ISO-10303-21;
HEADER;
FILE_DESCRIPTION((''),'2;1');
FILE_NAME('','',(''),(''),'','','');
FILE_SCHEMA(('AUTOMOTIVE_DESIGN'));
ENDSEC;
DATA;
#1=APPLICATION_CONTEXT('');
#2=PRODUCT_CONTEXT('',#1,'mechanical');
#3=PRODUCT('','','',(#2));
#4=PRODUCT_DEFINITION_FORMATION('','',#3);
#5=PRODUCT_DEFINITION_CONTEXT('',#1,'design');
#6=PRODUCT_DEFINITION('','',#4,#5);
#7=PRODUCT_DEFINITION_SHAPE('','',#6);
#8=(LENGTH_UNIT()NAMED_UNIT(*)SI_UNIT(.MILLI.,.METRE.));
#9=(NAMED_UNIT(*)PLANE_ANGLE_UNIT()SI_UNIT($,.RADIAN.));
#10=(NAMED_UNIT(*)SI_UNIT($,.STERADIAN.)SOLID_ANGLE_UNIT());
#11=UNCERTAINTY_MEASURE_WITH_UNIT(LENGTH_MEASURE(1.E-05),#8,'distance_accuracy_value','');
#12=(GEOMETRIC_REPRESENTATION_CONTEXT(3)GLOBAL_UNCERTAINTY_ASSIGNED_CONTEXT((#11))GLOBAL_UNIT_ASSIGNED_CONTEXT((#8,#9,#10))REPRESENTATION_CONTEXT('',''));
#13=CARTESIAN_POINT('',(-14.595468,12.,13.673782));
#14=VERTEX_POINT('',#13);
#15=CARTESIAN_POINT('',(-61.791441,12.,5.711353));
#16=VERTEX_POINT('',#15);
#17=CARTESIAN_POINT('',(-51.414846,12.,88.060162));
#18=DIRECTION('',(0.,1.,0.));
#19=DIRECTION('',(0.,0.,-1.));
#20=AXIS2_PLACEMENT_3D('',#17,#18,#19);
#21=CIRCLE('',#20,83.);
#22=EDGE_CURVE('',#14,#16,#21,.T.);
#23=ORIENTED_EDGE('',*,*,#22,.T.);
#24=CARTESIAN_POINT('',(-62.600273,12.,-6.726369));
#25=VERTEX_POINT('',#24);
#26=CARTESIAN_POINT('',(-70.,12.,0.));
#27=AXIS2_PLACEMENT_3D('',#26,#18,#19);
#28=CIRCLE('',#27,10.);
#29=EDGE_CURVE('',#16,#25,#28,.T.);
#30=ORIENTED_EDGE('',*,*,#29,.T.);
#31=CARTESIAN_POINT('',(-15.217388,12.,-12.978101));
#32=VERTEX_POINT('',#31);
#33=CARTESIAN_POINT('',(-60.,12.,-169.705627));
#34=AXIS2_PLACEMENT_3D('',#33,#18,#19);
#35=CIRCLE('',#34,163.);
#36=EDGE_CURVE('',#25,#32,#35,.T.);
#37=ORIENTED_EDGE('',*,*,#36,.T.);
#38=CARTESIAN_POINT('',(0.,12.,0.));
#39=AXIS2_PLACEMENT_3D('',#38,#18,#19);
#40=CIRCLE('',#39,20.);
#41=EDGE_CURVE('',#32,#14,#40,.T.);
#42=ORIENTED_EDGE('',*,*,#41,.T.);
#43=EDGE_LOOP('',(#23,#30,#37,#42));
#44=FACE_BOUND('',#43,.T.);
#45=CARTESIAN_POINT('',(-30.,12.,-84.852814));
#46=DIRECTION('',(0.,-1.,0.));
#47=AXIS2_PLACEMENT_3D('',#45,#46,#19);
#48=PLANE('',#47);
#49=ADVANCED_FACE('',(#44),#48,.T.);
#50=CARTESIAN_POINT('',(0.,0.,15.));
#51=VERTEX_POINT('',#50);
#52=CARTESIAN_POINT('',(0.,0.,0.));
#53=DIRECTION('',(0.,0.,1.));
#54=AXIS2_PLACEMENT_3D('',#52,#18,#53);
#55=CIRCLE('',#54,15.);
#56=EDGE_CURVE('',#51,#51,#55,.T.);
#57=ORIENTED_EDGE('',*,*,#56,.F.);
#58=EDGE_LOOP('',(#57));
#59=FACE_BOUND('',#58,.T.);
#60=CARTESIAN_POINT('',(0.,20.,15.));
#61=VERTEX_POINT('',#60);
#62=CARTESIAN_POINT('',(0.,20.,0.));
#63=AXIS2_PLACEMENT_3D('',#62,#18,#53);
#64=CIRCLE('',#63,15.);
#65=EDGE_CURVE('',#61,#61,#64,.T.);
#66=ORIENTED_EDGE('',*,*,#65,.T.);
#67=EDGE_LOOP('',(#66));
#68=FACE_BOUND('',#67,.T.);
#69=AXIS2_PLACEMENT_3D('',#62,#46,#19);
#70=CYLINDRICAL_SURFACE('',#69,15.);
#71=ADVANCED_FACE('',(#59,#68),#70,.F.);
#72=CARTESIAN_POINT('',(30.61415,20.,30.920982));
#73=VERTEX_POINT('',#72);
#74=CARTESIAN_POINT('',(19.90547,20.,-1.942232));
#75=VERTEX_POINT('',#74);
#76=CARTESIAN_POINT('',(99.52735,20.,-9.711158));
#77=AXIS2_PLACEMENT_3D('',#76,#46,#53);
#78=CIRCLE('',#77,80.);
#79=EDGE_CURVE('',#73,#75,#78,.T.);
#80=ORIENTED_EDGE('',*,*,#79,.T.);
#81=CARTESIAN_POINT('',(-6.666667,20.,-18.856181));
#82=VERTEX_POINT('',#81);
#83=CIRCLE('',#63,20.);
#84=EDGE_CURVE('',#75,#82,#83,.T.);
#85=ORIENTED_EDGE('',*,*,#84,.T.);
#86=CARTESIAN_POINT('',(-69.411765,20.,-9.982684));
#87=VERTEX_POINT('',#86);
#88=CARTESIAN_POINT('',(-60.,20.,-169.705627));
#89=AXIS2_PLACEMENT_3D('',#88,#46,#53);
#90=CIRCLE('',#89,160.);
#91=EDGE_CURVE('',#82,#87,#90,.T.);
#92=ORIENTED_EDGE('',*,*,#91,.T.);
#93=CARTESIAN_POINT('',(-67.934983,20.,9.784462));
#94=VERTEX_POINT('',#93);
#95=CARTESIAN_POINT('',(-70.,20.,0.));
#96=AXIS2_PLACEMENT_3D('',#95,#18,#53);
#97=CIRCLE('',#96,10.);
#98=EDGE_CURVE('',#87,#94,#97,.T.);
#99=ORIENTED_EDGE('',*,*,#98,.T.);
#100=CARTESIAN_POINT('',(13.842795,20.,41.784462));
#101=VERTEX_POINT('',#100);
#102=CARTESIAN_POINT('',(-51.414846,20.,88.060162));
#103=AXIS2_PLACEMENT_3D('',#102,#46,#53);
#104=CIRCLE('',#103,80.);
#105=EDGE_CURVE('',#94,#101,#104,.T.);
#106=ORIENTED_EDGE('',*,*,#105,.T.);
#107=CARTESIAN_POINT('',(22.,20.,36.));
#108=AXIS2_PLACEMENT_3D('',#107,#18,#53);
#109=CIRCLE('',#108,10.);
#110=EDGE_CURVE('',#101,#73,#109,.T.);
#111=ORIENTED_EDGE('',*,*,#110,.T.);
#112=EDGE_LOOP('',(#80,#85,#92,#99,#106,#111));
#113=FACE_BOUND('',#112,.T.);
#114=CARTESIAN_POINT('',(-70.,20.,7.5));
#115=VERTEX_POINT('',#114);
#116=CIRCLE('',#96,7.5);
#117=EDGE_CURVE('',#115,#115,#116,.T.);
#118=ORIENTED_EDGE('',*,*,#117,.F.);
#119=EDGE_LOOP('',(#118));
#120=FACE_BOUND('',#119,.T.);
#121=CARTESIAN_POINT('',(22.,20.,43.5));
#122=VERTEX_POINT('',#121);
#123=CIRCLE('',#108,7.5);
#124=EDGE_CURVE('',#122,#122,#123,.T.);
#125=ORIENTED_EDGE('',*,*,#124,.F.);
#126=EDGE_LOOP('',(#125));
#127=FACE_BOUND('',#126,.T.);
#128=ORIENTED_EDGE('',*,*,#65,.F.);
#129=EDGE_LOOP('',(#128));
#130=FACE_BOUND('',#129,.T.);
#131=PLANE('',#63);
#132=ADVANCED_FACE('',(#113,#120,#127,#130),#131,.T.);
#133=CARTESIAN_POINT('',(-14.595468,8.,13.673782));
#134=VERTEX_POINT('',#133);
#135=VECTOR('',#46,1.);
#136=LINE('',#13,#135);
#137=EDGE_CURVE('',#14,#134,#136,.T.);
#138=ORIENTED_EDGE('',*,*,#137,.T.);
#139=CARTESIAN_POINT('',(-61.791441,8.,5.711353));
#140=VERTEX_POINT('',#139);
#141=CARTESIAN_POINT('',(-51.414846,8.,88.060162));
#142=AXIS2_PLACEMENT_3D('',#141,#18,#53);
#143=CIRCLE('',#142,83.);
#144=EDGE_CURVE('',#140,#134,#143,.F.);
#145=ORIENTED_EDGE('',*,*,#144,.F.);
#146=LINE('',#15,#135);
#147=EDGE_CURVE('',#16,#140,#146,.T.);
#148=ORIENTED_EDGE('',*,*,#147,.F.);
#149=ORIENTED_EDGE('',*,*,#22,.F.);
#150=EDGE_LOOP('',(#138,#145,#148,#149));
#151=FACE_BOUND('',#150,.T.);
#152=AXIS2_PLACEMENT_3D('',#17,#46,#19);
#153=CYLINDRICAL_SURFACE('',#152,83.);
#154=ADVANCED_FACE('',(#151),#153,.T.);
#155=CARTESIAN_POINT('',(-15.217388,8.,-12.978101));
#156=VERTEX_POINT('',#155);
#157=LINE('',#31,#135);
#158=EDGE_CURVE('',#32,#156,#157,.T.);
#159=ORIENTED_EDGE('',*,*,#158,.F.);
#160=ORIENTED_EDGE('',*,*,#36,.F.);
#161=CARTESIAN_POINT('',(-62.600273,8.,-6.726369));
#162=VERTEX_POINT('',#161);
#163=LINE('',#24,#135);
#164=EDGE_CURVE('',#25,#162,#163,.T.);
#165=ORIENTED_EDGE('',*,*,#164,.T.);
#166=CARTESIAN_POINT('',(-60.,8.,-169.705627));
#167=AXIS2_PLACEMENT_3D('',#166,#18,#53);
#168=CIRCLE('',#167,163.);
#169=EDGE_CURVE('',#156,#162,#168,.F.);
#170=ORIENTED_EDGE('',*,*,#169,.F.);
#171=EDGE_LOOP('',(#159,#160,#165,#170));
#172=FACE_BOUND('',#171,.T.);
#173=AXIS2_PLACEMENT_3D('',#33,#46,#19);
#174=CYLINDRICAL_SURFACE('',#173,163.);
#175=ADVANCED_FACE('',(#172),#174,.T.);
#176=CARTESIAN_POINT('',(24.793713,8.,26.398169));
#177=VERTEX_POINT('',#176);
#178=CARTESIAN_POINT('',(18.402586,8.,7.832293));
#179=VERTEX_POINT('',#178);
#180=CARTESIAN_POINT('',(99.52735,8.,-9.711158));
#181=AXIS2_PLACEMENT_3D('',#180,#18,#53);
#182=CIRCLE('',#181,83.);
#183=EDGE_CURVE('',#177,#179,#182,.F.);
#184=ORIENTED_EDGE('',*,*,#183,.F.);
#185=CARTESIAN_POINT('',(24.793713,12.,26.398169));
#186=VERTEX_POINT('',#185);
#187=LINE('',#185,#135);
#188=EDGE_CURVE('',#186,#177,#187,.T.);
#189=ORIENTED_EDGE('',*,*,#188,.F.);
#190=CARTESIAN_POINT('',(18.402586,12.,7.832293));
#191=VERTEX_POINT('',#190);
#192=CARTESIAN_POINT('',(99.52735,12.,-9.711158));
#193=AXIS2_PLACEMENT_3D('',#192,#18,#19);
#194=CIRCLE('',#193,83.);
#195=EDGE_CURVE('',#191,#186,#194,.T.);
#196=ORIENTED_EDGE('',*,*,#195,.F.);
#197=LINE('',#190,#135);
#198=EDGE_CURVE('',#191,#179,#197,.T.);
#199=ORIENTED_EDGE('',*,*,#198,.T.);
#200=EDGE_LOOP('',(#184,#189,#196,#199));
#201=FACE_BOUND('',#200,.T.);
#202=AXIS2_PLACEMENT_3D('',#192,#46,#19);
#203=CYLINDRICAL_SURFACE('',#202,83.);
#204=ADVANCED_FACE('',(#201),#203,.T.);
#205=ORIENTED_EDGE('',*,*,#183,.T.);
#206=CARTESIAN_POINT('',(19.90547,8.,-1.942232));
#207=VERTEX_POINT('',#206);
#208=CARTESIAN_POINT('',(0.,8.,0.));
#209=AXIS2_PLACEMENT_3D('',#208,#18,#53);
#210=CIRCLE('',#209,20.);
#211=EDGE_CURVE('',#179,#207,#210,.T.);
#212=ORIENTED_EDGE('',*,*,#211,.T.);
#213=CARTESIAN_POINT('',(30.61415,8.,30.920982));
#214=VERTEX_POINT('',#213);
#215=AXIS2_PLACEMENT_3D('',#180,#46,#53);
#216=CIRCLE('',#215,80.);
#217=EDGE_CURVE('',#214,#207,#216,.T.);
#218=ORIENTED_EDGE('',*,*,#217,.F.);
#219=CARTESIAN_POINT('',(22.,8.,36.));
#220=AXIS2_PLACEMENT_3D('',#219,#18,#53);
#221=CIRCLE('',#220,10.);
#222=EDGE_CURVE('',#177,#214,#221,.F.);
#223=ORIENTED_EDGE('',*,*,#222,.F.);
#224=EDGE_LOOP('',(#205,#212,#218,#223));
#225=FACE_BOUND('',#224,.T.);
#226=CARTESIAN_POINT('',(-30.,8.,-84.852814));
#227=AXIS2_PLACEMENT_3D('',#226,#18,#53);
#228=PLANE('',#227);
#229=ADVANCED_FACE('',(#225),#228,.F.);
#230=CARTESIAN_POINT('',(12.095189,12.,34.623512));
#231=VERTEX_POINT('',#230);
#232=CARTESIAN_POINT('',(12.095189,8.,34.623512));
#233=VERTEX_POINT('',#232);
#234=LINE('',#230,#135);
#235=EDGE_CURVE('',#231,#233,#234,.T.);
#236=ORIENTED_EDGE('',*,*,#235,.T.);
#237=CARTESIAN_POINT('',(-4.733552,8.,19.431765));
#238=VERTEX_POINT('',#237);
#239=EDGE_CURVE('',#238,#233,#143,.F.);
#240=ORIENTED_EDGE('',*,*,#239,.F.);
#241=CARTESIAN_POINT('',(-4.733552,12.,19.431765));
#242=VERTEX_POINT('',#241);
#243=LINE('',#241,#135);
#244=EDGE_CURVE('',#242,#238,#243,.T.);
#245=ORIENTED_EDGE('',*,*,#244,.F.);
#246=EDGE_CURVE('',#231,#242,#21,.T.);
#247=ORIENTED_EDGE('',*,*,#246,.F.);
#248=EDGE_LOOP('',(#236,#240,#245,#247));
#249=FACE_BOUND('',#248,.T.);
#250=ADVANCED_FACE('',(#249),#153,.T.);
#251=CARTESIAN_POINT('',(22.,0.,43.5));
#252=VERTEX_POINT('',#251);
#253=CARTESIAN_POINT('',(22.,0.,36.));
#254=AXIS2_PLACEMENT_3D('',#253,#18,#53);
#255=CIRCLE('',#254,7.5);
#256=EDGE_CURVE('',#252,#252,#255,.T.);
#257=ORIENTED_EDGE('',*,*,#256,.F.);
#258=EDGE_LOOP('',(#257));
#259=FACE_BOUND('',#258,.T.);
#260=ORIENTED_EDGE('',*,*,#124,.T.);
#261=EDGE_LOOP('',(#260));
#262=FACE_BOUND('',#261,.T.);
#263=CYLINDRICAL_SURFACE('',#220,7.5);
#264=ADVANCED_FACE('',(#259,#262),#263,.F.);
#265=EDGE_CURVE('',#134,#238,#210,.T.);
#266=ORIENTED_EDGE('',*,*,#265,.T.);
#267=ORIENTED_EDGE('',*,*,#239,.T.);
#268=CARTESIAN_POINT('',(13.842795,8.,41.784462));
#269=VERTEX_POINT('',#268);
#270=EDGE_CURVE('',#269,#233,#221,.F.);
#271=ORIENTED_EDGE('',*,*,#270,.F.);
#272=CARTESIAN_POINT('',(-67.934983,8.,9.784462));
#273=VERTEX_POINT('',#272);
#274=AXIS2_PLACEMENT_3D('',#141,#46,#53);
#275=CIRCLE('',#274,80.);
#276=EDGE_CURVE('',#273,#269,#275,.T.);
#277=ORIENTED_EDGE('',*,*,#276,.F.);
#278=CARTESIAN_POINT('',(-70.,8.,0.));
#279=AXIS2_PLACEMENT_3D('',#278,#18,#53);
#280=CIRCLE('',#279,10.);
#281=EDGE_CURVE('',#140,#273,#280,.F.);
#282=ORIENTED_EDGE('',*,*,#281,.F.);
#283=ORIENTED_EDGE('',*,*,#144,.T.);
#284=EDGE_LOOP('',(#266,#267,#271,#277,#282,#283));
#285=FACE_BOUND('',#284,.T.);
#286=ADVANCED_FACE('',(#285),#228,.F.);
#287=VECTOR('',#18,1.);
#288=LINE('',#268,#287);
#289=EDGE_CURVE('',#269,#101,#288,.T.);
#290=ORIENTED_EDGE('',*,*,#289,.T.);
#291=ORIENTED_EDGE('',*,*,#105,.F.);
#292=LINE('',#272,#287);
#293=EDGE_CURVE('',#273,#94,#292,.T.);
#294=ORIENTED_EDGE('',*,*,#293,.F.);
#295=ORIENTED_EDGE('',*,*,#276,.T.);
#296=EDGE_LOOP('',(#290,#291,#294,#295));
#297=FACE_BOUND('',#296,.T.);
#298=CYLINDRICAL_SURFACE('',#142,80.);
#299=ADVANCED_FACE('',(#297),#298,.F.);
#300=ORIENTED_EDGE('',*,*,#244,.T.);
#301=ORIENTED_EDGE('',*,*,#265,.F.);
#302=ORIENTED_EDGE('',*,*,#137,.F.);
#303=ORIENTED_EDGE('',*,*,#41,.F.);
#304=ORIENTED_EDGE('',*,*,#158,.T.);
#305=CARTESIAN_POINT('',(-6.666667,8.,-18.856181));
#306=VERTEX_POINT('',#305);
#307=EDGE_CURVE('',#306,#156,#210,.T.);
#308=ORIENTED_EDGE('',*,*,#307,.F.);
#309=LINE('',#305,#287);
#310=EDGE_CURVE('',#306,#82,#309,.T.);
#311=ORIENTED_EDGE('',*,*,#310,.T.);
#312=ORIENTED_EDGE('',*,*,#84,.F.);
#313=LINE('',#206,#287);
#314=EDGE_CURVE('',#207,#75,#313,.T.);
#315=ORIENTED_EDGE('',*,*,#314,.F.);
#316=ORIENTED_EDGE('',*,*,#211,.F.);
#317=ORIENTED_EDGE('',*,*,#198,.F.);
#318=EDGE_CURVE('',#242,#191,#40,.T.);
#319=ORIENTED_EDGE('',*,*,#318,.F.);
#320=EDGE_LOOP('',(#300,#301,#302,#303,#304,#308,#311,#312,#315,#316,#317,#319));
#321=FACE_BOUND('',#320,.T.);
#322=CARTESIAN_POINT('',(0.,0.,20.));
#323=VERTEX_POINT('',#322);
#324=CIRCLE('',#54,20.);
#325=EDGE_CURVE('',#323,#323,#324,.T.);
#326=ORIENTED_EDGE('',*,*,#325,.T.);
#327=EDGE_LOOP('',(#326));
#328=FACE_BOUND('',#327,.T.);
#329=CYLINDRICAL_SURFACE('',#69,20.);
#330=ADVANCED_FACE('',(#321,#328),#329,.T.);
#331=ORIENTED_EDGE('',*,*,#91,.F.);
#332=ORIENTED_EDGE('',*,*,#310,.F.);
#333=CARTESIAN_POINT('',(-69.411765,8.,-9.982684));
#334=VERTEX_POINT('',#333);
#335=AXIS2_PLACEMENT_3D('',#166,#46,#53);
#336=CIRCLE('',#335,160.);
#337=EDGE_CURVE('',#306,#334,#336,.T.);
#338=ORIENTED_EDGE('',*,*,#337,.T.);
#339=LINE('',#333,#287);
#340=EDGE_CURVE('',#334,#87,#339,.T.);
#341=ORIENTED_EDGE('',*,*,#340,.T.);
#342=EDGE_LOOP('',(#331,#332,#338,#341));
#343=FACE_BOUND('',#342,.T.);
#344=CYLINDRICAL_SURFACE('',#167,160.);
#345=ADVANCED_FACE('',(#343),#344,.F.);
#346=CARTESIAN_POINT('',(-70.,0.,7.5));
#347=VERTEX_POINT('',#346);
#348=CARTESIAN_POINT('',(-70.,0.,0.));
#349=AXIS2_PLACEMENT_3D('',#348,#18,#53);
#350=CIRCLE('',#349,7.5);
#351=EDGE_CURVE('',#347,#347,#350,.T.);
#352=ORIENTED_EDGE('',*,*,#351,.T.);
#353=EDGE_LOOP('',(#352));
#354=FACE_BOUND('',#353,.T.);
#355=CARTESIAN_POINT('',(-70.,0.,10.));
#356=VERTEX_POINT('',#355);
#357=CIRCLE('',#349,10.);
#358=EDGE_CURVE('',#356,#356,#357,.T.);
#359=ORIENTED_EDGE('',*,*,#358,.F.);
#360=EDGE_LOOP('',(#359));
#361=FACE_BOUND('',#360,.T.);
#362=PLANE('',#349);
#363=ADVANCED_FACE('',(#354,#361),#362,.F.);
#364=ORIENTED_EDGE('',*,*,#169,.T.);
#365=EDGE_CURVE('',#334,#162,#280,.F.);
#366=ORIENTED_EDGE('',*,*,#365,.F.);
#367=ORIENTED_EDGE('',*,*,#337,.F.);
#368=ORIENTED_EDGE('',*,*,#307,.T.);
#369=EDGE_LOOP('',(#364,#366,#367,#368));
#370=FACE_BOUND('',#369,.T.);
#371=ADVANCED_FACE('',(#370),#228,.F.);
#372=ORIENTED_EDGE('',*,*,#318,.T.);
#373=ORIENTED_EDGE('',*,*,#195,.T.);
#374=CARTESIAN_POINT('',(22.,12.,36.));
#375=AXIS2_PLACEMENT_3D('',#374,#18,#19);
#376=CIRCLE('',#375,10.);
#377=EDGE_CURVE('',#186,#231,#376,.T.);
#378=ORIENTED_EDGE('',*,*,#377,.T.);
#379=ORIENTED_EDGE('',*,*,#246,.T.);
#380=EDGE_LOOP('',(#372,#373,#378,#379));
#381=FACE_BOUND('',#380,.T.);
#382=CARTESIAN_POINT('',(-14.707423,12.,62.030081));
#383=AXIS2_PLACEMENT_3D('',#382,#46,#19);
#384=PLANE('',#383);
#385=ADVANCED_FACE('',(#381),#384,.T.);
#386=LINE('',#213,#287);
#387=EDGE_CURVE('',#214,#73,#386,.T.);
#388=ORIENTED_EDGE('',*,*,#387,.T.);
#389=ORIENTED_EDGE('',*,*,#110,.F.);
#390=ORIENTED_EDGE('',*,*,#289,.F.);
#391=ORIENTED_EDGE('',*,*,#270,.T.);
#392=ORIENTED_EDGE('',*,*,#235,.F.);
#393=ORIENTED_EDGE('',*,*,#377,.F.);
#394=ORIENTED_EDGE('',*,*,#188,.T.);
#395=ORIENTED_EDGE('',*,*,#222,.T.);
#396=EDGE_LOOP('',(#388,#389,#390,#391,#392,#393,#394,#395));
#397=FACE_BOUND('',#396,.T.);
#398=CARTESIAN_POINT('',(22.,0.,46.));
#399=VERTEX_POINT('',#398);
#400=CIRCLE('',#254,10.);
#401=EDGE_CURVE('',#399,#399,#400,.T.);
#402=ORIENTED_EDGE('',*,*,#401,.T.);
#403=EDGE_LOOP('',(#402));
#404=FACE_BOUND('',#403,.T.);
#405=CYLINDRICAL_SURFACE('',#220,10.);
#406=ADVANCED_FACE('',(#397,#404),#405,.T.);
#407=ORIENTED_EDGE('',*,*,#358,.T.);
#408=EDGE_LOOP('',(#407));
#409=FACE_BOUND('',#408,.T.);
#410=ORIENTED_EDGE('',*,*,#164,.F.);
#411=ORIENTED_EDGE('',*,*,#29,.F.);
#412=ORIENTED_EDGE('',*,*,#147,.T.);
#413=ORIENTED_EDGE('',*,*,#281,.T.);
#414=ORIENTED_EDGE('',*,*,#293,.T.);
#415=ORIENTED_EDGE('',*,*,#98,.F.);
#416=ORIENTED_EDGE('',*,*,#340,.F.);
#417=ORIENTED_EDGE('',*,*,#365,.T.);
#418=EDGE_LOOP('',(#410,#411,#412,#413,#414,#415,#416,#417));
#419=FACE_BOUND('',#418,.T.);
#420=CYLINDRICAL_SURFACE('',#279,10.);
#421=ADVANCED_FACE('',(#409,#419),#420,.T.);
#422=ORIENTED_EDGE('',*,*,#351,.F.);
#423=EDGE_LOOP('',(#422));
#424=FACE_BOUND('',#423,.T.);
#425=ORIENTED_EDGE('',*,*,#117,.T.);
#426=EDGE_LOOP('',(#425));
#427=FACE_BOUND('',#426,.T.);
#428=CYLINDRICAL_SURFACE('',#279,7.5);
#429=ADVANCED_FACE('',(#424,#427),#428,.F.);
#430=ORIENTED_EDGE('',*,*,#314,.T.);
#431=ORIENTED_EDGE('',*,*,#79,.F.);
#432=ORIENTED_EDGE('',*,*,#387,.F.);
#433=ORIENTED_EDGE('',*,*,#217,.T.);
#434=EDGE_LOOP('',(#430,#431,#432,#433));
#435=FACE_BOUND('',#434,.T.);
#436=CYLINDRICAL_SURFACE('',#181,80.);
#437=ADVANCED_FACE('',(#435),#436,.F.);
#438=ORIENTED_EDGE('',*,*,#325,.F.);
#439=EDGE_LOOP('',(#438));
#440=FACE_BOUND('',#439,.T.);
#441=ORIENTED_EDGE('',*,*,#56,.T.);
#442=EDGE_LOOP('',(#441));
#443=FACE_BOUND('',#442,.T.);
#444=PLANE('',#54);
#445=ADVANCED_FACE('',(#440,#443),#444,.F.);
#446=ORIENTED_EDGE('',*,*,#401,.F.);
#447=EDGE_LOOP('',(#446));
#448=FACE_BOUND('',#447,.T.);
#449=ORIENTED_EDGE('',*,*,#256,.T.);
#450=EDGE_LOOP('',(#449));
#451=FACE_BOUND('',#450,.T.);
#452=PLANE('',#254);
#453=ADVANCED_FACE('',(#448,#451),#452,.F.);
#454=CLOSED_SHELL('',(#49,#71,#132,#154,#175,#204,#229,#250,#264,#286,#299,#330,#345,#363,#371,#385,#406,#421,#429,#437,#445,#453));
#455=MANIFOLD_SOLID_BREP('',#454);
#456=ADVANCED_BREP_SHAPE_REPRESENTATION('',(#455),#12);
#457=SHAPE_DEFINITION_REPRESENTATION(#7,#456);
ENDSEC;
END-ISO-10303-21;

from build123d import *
from build123d.topology import SkipClean

# Parameters (mm, degrees)
SKETCH1_R             = 20
SKETCH1_R_2           = 15
BOSS_EXTRUDE1_DEPTH   = 20
SKETCH1_R_3           = 10
SKETCH1_R_4           = 7.5
BOSS_EXTRUDE1_2_DEPTH = 20
BOSS_EXTRUDE1_3_DEPTH = 20
BOSS_EXTRUDE2_START   = -12
SKETCH3_R             = 7.5
SKETCH3_R_2           = 15
BOSS_EXTRUDE2_DEPTH   = 12
CUT_EXTRUDE3_DEPTH    = 12


with BuildPart() as part:
    # Sketch1 → Boss-Extrude1 (new body)
    with BuildSketch(Plane(origin=(0, 0, 0), x_dir=(1, 0, 0), z_dir=(0, 1, 0))):
        with Locations(Location((0, 0, 0), (0, 0, 270))):
            Circle(SKETCH1_R)
        with Locations(Location((0, 0, 0), (0, 0, 270))):
            Circle(SKETCH1_R_2, mode=Mode.SUBTRACT)
    extrude(amount=BOSS_EXTRUDE1_DEPTH)



with BuildPart() as body_2:
    # Sketch1 → Boss-Extrude1 2 (new body)
    with BuildSketch(Plane(origin=(0, 0, 0), x_dir=(1, 0, 0), z_dir=(0, 1, 0))):
        with Locations(Location((-70, 0, 0), (0, 0, 270))):
            Circle(SKETCH1_R_3)
        with Locations(Location((-70, 0, 0), (0, 0, 270))):
            Circle(SKETCH1_R_4, mode=Mode.SUBTRACT)
    extrude(amount=BOSS_EXTRUDE1_2_DEPTH)


with BuildPart() as body_3:
    # Sketch1 → Boss-Extrude1 3 (new body)
    with BuildSketch(Plane(origin=(0, 0, 0), x_dir=(1, 0, 0), z_dir=(0, 1, 0))):
        with Locations(Location((22, -36, 0), (0, 0, 270))):
            Circle(SKETCH1_R_3)
        with Locations(Location((22, -36, 0), (0, 0, 270))):
            Circle(SKETCH1_R_4, mode=Mode.SUBTRACT)
    extrude(amount=BOSS_EXTRUDE1_3_DEPTH)


with BuildPart() as part_1:
    add(part.part)

    add(body_2.part)  # Boss-Extrude2 merges body 2

    add(body_3.part)  # Boss-Extrude2 merges body 3
    # Sketch3 → Boss-Extrude2 (add)
    with BuildSketch(Plane(origin=(0, 20, 0), x_dir=(1, 0, 0), z_dir=(0, 1, 0)).offset(BOSS_EXTRUDE2_START)):
        with BuildLine():
            ThreePointArc((-69.411764706, 9.98268397), (-79.972209179, -0.745012818), (-67.934982867, -9.784462389))
            ThreePointArc((-67.934982867, -9.784462389), (-22.262897918, -13.560739124), (13.842794911, -41.784462389))
            ThreePointArc((13.842794911, -41.784462389), (27.436542927, -44.393092457), (30.614150003, -30.920982406))
            ThreePointArc((30.614150003, -30.920982406), (23.463789692, -15.074619609), (19.905470006, 1.94223167))
            ThreePointArc((19.905470006, 1.94223167), (10.739501735, 16.871962022), (-6.666666667, 18.856180832))
            ThreePointArc((-6.666666667, 18.856180832), (-37.595518656, 11.282020609), (-69.411764706, 9.98268397))
        make_face()
        with Locations(Location((22, -36, 0), (0, 0, 270))):
            Circle(SKETCH3_R, mode=Mode.SUBTRACT)
        with Locations(Location((0, 0, 0), (0, 0, 270))):
            Circle(SKETCH3_R_2, mode=Mode.SUBTRACT)
        with Locations(Location((-70, 0, 0), (0, 0, 270))):
            Circle(SKETCH3_R, mode=Mode.SUBTRACT)
    extrude(amount=BOSS_EXTRUDE2_DEPTH)

    # Sketch7 → Cut-Extrude3 (cut)
    with SkipClean():  # the faces are left unmerged after this step: merging them gives an invalid solid
        with BuildSketch(Plane.XZ):
            with BuildLine():
                ThreePointArc((-61.791440547, 5.711352878), (-37.607048321, 6.216745586), (-14.595467543, 13.673782476))
                ThreePointArc((-14.595467543, 13.673782476), (-19.994557018, 0.466572242), (-15.217388241, -12.978100598))
                ThreePointArc((-15.217388241, -12.978100598), (-38.678450916, -8.106148696), (-62.600273301, -6.72636936))
                ThreePointArc((-62.600273301, -6.72636936), (-60.021078075, -0.648935452), (-61.791440547, 5.711352878))
            make_face()
            with BuildLine():
                ThreePointArc((24.793712928, 26.398168504), (21.047204692, 17.304888513), (18.402586233, 7.832293401))
                ThreePointArc((18.402586233, 7.832293401), (8.963679846, 17.878826685), (-4.733552286, 19.431764787))
                ThreePointArc((-4.733552286, 19.431764787), (4.201963756, 26.450336843), (12.095188973, 34.623512255))
                ThreePointArc((12.095188973, 34.623512255), (16.563457073, 27.606907543), (24.793712928, 26.398168504))
            make_face()
        extrude(amount=-CUT_EXTRUDE3_DEPTH, mode=Mode.SUBTRACT)


solid = part_1.part
